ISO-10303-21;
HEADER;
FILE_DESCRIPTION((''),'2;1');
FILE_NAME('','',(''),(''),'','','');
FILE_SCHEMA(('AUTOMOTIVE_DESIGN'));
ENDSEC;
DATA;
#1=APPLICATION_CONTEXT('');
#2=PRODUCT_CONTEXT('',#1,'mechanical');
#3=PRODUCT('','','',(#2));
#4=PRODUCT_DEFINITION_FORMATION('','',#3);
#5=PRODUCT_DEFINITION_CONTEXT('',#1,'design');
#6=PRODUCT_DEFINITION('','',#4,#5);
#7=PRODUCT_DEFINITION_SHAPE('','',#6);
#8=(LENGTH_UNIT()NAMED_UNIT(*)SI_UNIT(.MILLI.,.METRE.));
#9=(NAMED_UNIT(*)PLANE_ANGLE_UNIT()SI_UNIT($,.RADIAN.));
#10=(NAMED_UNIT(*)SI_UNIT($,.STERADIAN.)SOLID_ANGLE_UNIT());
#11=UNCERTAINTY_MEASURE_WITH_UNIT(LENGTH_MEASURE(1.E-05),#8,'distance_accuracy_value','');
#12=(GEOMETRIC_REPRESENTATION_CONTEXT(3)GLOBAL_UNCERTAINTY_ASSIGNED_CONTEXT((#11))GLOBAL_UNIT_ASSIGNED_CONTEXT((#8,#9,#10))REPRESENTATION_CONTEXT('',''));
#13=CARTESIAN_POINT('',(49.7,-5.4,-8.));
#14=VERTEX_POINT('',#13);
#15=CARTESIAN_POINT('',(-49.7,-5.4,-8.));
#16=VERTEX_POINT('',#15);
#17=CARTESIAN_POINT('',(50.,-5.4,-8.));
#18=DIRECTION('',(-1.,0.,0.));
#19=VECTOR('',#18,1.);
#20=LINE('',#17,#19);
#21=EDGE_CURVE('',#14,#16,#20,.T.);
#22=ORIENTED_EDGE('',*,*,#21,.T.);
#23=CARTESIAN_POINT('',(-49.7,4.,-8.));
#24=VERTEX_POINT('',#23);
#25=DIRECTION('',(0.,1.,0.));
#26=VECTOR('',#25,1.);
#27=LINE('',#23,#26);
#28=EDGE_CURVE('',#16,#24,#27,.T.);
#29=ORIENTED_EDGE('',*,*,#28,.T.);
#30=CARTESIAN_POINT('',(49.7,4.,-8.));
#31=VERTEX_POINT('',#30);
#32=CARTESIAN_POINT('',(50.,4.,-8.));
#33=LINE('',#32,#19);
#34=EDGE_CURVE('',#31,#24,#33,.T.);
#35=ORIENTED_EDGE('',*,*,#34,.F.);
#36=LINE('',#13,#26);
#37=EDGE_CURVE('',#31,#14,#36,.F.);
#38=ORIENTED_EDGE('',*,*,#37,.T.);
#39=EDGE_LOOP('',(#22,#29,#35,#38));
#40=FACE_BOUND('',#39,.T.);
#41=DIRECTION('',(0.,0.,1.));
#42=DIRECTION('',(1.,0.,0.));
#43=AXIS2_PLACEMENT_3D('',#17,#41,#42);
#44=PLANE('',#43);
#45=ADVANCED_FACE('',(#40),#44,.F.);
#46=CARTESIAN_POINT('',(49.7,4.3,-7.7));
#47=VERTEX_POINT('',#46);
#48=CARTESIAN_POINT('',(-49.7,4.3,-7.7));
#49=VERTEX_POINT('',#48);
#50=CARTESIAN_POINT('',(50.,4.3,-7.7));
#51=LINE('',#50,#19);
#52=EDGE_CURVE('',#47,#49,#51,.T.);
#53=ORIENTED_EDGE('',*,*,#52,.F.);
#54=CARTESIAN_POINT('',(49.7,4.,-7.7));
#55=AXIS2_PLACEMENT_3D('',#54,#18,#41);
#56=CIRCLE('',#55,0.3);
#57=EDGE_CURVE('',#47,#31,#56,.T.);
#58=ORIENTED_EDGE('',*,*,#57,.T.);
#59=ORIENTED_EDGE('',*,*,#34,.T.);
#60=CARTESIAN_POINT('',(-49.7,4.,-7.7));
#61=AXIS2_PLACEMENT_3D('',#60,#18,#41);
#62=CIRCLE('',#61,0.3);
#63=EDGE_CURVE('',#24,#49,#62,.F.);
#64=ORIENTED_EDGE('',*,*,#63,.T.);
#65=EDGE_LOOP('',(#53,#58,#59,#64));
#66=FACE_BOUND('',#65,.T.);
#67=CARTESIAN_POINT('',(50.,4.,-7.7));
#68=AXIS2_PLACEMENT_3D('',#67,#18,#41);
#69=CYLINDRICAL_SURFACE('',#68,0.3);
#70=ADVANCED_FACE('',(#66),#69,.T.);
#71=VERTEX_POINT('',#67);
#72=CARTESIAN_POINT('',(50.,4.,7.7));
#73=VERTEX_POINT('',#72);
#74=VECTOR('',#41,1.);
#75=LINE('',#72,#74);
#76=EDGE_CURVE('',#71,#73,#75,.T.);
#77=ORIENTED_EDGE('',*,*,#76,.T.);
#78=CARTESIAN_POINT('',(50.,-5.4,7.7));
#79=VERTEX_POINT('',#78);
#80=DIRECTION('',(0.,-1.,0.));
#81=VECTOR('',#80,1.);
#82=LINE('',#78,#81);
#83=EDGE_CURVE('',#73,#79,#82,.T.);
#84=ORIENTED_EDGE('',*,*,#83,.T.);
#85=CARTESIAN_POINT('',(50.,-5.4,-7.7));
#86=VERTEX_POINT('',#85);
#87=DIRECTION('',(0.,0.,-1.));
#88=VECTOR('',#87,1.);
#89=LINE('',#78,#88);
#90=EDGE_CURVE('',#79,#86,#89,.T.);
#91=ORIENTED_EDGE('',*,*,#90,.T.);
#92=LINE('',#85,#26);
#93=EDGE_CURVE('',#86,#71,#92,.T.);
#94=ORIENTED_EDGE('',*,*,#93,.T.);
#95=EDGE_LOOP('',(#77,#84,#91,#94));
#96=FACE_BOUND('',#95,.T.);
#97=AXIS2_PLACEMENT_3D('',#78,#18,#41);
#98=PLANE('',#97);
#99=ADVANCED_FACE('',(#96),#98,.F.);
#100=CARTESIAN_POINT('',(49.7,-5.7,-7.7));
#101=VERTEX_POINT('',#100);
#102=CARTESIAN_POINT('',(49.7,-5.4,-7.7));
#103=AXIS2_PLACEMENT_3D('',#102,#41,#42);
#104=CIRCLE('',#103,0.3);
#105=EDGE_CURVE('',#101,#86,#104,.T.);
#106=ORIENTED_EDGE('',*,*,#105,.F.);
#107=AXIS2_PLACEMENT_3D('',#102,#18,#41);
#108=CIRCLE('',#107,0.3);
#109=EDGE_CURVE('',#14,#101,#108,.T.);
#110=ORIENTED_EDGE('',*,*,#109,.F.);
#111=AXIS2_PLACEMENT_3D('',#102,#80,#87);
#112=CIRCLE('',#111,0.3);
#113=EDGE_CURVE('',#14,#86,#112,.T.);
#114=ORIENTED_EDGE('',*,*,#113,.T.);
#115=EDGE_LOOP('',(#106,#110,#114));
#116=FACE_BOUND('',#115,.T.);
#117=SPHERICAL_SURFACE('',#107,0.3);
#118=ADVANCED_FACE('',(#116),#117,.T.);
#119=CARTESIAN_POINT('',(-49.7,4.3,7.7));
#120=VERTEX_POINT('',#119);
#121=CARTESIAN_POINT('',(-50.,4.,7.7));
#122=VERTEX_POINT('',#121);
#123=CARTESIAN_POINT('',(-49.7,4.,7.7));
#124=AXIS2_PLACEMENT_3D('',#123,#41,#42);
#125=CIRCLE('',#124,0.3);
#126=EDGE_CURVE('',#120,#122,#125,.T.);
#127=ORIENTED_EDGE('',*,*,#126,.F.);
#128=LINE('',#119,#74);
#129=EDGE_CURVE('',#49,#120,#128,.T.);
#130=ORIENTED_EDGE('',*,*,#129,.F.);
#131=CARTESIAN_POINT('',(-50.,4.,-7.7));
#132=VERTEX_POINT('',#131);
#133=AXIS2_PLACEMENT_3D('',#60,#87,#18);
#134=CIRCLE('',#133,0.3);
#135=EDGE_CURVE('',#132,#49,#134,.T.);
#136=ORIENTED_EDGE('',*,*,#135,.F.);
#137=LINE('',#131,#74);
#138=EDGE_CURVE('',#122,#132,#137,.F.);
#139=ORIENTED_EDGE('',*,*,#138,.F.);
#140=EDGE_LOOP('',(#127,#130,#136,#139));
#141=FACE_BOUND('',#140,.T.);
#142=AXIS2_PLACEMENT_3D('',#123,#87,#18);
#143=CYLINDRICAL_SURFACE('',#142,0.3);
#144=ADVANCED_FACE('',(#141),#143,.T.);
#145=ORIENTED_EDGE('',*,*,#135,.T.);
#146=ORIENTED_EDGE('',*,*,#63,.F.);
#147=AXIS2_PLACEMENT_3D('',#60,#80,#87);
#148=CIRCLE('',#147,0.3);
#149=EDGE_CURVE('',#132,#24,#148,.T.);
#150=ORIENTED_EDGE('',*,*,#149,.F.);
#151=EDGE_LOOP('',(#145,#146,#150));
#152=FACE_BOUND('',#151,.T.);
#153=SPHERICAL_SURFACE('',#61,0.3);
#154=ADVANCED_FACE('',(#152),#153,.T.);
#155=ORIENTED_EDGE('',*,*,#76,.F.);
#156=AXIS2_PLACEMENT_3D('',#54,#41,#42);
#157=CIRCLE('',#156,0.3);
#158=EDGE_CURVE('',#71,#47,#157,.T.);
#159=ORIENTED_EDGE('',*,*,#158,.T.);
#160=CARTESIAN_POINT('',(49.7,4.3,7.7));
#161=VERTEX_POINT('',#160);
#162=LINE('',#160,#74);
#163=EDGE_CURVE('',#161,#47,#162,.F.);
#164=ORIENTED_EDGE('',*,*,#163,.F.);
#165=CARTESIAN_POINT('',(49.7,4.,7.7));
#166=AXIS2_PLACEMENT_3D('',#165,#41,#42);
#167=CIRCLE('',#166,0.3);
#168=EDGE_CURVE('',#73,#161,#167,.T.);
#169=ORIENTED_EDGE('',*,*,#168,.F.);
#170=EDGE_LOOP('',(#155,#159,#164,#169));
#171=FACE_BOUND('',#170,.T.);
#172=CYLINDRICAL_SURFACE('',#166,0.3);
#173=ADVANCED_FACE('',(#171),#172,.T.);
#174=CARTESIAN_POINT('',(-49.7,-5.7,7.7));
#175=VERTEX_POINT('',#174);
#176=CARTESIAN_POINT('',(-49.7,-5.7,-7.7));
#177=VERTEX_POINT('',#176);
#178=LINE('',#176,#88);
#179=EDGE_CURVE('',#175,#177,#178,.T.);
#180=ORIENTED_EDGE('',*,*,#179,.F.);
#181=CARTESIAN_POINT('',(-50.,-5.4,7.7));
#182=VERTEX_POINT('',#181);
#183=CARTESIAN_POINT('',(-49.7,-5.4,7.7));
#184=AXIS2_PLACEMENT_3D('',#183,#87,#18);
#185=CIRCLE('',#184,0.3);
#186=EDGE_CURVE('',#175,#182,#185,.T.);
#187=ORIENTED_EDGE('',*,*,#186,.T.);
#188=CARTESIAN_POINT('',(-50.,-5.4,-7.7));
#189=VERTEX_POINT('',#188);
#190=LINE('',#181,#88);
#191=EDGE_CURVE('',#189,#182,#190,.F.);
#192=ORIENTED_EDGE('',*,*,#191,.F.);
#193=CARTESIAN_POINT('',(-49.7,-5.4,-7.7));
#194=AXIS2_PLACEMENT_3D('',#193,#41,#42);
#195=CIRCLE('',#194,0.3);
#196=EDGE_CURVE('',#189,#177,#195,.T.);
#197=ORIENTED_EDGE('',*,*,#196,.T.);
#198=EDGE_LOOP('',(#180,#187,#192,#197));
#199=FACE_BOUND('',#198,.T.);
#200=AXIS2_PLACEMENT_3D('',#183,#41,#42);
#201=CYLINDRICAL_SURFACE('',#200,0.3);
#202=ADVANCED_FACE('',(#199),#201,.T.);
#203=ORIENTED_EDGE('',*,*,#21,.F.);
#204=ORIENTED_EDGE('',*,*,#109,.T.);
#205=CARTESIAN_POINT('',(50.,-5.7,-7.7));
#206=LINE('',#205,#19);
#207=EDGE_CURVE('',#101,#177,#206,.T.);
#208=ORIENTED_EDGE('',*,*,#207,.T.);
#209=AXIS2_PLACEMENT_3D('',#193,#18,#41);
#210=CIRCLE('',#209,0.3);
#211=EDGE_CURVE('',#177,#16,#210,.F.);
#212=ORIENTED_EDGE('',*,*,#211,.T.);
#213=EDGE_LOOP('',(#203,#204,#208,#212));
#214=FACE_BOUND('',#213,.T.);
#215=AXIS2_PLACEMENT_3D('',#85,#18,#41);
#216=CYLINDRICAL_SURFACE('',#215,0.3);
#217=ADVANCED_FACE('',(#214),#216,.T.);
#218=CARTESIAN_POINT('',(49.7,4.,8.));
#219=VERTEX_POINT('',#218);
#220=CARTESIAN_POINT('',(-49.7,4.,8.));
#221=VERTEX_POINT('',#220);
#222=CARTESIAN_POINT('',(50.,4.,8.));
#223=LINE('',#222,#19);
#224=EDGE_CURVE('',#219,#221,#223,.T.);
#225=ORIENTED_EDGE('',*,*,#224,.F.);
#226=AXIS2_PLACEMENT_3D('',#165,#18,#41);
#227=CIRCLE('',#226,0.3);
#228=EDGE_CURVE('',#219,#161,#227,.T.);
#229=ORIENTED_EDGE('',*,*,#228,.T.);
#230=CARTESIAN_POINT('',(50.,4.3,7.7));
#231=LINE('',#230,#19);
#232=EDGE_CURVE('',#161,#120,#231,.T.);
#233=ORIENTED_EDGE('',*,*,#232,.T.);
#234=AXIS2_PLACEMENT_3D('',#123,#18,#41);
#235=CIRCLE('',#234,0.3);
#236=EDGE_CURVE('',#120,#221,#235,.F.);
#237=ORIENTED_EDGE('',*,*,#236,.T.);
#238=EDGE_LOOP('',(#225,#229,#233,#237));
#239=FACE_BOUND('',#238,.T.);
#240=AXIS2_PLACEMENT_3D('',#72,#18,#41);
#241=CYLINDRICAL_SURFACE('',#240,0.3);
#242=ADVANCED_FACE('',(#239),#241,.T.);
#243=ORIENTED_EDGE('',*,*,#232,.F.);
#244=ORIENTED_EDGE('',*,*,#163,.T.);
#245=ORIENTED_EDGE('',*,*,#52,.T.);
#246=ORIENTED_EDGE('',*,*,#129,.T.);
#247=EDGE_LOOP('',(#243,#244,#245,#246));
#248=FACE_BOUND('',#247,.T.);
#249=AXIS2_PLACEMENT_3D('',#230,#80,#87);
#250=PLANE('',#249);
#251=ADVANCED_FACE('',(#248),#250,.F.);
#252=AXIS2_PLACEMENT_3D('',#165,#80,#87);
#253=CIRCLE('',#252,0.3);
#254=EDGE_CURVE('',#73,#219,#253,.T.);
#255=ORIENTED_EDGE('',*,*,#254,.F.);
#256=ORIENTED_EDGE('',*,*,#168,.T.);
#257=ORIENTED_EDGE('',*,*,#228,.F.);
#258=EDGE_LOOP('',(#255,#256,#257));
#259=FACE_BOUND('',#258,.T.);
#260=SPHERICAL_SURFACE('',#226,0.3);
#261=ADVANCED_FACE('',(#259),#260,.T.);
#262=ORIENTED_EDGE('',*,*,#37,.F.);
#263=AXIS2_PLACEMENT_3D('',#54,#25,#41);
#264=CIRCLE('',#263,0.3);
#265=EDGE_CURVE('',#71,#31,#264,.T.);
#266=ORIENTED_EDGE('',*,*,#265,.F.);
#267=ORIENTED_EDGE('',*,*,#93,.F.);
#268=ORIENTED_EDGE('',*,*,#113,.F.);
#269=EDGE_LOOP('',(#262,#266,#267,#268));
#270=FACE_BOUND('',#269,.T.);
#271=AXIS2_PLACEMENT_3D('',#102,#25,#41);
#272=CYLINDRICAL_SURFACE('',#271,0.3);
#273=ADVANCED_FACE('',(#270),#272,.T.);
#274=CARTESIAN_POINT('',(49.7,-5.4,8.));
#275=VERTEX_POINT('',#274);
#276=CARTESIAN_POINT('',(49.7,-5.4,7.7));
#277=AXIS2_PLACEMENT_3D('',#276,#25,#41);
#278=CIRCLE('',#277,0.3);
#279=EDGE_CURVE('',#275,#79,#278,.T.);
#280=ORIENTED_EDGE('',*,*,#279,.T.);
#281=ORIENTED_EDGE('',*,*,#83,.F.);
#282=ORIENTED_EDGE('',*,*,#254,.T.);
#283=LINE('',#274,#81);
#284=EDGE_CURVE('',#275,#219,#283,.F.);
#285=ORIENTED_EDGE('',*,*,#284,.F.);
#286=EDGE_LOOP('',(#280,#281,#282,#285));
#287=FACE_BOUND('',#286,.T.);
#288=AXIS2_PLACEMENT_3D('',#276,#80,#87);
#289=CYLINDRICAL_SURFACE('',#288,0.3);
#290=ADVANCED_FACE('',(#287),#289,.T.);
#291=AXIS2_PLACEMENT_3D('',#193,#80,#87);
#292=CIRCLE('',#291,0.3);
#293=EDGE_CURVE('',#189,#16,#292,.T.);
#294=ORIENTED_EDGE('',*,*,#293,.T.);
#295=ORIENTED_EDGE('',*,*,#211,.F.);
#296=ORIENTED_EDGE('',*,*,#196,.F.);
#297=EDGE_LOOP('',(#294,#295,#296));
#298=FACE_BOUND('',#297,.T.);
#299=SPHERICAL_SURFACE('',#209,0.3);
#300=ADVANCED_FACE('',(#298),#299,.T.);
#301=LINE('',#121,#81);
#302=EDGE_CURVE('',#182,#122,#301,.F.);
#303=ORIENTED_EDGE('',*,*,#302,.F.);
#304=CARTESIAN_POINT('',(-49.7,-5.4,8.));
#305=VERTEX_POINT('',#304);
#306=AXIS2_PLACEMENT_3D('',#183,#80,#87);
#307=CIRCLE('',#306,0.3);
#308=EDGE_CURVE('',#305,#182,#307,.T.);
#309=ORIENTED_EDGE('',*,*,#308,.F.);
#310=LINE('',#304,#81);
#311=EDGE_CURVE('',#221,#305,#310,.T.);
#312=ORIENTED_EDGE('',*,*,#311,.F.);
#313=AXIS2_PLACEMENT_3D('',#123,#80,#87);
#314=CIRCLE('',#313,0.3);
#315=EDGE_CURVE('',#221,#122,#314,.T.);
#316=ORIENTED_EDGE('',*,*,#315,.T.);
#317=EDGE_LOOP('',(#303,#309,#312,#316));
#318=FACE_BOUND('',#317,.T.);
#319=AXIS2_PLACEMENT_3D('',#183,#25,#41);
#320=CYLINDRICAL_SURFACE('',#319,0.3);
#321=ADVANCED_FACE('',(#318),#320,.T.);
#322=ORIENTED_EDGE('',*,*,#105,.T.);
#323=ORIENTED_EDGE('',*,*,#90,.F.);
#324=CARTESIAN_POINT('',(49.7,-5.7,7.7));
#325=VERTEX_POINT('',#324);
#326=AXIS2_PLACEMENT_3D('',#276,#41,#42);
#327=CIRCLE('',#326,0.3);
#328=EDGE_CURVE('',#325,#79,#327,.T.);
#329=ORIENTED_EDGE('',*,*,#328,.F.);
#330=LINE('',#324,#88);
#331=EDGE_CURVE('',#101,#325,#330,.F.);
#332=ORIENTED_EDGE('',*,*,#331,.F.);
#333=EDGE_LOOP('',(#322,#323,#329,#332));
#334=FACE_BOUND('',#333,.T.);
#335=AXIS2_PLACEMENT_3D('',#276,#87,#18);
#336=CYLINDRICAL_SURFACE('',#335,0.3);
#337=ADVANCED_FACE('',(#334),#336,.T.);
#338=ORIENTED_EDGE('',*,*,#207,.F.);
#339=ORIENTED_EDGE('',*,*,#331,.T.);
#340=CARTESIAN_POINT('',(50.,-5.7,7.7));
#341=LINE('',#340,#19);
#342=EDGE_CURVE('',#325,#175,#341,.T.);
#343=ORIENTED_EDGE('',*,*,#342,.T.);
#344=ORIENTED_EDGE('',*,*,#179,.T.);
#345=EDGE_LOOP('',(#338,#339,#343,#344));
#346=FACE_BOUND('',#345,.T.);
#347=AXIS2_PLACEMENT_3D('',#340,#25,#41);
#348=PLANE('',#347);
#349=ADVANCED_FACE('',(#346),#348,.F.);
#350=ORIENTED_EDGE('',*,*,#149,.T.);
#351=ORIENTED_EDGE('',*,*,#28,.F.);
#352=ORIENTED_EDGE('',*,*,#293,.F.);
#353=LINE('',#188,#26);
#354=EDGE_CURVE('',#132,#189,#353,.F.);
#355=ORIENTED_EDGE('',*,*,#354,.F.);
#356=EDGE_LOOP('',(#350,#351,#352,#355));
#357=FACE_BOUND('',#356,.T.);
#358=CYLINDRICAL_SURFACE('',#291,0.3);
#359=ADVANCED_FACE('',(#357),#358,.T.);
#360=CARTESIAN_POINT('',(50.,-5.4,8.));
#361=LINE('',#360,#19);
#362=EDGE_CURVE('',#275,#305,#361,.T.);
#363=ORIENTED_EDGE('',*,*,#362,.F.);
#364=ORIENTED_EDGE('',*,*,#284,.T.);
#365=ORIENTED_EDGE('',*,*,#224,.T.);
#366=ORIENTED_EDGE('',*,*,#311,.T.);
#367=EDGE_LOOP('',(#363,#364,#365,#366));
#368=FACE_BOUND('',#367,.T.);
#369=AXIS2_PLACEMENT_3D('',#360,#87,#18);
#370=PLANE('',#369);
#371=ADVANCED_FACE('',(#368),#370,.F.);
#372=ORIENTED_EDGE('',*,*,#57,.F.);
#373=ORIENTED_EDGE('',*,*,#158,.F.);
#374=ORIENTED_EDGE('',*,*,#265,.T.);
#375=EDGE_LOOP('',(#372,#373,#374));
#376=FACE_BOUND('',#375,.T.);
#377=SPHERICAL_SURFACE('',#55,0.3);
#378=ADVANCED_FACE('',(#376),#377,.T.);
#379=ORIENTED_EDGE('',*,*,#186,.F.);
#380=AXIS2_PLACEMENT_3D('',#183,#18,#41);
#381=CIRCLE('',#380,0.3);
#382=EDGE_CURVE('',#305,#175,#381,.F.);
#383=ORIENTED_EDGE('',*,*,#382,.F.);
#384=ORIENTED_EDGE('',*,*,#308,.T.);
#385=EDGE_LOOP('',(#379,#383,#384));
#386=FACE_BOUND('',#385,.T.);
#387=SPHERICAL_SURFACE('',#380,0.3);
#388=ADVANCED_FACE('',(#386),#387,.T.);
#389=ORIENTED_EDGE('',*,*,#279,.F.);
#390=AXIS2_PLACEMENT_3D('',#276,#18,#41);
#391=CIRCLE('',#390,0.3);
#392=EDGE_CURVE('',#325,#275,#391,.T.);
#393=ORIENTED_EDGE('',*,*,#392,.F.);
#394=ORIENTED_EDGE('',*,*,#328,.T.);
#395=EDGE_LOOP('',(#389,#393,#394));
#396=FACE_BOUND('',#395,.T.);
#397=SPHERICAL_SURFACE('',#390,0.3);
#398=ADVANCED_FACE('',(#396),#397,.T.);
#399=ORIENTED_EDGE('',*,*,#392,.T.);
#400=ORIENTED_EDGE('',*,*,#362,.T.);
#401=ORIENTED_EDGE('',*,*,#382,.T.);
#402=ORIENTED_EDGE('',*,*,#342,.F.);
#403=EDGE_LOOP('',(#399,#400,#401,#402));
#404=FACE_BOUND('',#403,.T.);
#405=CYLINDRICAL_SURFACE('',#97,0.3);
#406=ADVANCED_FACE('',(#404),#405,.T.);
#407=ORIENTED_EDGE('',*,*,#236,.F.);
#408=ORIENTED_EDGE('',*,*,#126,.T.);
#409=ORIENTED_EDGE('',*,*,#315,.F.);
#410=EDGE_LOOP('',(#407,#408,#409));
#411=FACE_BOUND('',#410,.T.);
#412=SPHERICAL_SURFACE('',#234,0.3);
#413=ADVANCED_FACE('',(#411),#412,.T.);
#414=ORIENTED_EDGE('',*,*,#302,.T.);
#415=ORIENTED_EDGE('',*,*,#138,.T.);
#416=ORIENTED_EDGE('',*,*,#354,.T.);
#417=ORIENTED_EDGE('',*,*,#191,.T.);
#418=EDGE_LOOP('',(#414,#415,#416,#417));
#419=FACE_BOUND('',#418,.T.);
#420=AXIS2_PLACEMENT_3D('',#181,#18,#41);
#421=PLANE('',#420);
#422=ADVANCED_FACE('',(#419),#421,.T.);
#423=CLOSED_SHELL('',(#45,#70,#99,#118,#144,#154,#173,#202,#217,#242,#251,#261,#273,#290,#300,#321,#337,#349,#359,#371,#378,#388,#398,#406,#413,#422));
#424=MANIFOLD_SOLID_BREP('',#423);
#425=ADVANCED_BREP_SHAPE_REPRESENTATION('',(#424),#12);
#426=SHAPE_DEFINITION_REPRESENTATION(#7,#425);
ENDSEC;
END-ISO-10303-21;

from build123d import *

# Parameters (mm, degrees)
BOSS_EXTRUDE1_DEPTH = 50
FILLET1_R           = 0.3


with BuildPart() as part:
    # Sketch1 → Boss-Extrude1 (new, symmetric)
    with BuildSketch(Plane(origin=(0, 0, 0), x_dir=(0, 0, -1), z_dir=(1, 0, 0))):
        with BuildLine():
            Line((-7.7, -5.7), (7.7, -5.7))
            ThreePointArc((7.7, -5.7), (7.912132034, -5.612132034), (8, -5.4))
            Line((8, -5.4), (8, 4))
            ThreePointArc((8, 4), (7.912132034, 4.212132034), (7.7, 4.3))
            Line((7.7, 4.3), (-7.7, 4.3))
            ThreePointArc((-7.7, 4.3), (-7.912132034, 4.212132034), (-8, 4))
            Line((-8, 4), (-8, -5.4))
            ThreePointArc((-8, -5.4), (-7.912132034, -5.612132034), (-7.7, -5.7))
        make_face()
    extrude(amount=BOSS_EXTRUDE1_DEPTH, both=True)

    # Fillet1
    fillet1_edges = [part.edges().sort_by_distance(p)[0] for p in [
        (-50, -0.7, -8),
        (-50, -5.612132034, -7.912132034),
        (-50, -5.7, 0),
        (-50, -5.612132034, 7.912132034),
        (50, -5.612132034, -7.912132034),
        (50, -0.7, -8),
        (50, 4.212132034, -7.912132034),
        (50, 4.3, 0),
        (50, 4.212132034, 7.912132034),
        (50, -0.7, 8),
        (50, -5.612132034, 7.912132034),
        (-50, -0.7, 8),
        (50, -5.7, 0),
        (-50, 4.212132034, 7.912132034),
        (-50, 4.3, 0),
        (-50, 4.212132034, -7.912132034),
    ]]
    fillet(fillet1_edges, radius=FILLET1_R)


solid = part.part
